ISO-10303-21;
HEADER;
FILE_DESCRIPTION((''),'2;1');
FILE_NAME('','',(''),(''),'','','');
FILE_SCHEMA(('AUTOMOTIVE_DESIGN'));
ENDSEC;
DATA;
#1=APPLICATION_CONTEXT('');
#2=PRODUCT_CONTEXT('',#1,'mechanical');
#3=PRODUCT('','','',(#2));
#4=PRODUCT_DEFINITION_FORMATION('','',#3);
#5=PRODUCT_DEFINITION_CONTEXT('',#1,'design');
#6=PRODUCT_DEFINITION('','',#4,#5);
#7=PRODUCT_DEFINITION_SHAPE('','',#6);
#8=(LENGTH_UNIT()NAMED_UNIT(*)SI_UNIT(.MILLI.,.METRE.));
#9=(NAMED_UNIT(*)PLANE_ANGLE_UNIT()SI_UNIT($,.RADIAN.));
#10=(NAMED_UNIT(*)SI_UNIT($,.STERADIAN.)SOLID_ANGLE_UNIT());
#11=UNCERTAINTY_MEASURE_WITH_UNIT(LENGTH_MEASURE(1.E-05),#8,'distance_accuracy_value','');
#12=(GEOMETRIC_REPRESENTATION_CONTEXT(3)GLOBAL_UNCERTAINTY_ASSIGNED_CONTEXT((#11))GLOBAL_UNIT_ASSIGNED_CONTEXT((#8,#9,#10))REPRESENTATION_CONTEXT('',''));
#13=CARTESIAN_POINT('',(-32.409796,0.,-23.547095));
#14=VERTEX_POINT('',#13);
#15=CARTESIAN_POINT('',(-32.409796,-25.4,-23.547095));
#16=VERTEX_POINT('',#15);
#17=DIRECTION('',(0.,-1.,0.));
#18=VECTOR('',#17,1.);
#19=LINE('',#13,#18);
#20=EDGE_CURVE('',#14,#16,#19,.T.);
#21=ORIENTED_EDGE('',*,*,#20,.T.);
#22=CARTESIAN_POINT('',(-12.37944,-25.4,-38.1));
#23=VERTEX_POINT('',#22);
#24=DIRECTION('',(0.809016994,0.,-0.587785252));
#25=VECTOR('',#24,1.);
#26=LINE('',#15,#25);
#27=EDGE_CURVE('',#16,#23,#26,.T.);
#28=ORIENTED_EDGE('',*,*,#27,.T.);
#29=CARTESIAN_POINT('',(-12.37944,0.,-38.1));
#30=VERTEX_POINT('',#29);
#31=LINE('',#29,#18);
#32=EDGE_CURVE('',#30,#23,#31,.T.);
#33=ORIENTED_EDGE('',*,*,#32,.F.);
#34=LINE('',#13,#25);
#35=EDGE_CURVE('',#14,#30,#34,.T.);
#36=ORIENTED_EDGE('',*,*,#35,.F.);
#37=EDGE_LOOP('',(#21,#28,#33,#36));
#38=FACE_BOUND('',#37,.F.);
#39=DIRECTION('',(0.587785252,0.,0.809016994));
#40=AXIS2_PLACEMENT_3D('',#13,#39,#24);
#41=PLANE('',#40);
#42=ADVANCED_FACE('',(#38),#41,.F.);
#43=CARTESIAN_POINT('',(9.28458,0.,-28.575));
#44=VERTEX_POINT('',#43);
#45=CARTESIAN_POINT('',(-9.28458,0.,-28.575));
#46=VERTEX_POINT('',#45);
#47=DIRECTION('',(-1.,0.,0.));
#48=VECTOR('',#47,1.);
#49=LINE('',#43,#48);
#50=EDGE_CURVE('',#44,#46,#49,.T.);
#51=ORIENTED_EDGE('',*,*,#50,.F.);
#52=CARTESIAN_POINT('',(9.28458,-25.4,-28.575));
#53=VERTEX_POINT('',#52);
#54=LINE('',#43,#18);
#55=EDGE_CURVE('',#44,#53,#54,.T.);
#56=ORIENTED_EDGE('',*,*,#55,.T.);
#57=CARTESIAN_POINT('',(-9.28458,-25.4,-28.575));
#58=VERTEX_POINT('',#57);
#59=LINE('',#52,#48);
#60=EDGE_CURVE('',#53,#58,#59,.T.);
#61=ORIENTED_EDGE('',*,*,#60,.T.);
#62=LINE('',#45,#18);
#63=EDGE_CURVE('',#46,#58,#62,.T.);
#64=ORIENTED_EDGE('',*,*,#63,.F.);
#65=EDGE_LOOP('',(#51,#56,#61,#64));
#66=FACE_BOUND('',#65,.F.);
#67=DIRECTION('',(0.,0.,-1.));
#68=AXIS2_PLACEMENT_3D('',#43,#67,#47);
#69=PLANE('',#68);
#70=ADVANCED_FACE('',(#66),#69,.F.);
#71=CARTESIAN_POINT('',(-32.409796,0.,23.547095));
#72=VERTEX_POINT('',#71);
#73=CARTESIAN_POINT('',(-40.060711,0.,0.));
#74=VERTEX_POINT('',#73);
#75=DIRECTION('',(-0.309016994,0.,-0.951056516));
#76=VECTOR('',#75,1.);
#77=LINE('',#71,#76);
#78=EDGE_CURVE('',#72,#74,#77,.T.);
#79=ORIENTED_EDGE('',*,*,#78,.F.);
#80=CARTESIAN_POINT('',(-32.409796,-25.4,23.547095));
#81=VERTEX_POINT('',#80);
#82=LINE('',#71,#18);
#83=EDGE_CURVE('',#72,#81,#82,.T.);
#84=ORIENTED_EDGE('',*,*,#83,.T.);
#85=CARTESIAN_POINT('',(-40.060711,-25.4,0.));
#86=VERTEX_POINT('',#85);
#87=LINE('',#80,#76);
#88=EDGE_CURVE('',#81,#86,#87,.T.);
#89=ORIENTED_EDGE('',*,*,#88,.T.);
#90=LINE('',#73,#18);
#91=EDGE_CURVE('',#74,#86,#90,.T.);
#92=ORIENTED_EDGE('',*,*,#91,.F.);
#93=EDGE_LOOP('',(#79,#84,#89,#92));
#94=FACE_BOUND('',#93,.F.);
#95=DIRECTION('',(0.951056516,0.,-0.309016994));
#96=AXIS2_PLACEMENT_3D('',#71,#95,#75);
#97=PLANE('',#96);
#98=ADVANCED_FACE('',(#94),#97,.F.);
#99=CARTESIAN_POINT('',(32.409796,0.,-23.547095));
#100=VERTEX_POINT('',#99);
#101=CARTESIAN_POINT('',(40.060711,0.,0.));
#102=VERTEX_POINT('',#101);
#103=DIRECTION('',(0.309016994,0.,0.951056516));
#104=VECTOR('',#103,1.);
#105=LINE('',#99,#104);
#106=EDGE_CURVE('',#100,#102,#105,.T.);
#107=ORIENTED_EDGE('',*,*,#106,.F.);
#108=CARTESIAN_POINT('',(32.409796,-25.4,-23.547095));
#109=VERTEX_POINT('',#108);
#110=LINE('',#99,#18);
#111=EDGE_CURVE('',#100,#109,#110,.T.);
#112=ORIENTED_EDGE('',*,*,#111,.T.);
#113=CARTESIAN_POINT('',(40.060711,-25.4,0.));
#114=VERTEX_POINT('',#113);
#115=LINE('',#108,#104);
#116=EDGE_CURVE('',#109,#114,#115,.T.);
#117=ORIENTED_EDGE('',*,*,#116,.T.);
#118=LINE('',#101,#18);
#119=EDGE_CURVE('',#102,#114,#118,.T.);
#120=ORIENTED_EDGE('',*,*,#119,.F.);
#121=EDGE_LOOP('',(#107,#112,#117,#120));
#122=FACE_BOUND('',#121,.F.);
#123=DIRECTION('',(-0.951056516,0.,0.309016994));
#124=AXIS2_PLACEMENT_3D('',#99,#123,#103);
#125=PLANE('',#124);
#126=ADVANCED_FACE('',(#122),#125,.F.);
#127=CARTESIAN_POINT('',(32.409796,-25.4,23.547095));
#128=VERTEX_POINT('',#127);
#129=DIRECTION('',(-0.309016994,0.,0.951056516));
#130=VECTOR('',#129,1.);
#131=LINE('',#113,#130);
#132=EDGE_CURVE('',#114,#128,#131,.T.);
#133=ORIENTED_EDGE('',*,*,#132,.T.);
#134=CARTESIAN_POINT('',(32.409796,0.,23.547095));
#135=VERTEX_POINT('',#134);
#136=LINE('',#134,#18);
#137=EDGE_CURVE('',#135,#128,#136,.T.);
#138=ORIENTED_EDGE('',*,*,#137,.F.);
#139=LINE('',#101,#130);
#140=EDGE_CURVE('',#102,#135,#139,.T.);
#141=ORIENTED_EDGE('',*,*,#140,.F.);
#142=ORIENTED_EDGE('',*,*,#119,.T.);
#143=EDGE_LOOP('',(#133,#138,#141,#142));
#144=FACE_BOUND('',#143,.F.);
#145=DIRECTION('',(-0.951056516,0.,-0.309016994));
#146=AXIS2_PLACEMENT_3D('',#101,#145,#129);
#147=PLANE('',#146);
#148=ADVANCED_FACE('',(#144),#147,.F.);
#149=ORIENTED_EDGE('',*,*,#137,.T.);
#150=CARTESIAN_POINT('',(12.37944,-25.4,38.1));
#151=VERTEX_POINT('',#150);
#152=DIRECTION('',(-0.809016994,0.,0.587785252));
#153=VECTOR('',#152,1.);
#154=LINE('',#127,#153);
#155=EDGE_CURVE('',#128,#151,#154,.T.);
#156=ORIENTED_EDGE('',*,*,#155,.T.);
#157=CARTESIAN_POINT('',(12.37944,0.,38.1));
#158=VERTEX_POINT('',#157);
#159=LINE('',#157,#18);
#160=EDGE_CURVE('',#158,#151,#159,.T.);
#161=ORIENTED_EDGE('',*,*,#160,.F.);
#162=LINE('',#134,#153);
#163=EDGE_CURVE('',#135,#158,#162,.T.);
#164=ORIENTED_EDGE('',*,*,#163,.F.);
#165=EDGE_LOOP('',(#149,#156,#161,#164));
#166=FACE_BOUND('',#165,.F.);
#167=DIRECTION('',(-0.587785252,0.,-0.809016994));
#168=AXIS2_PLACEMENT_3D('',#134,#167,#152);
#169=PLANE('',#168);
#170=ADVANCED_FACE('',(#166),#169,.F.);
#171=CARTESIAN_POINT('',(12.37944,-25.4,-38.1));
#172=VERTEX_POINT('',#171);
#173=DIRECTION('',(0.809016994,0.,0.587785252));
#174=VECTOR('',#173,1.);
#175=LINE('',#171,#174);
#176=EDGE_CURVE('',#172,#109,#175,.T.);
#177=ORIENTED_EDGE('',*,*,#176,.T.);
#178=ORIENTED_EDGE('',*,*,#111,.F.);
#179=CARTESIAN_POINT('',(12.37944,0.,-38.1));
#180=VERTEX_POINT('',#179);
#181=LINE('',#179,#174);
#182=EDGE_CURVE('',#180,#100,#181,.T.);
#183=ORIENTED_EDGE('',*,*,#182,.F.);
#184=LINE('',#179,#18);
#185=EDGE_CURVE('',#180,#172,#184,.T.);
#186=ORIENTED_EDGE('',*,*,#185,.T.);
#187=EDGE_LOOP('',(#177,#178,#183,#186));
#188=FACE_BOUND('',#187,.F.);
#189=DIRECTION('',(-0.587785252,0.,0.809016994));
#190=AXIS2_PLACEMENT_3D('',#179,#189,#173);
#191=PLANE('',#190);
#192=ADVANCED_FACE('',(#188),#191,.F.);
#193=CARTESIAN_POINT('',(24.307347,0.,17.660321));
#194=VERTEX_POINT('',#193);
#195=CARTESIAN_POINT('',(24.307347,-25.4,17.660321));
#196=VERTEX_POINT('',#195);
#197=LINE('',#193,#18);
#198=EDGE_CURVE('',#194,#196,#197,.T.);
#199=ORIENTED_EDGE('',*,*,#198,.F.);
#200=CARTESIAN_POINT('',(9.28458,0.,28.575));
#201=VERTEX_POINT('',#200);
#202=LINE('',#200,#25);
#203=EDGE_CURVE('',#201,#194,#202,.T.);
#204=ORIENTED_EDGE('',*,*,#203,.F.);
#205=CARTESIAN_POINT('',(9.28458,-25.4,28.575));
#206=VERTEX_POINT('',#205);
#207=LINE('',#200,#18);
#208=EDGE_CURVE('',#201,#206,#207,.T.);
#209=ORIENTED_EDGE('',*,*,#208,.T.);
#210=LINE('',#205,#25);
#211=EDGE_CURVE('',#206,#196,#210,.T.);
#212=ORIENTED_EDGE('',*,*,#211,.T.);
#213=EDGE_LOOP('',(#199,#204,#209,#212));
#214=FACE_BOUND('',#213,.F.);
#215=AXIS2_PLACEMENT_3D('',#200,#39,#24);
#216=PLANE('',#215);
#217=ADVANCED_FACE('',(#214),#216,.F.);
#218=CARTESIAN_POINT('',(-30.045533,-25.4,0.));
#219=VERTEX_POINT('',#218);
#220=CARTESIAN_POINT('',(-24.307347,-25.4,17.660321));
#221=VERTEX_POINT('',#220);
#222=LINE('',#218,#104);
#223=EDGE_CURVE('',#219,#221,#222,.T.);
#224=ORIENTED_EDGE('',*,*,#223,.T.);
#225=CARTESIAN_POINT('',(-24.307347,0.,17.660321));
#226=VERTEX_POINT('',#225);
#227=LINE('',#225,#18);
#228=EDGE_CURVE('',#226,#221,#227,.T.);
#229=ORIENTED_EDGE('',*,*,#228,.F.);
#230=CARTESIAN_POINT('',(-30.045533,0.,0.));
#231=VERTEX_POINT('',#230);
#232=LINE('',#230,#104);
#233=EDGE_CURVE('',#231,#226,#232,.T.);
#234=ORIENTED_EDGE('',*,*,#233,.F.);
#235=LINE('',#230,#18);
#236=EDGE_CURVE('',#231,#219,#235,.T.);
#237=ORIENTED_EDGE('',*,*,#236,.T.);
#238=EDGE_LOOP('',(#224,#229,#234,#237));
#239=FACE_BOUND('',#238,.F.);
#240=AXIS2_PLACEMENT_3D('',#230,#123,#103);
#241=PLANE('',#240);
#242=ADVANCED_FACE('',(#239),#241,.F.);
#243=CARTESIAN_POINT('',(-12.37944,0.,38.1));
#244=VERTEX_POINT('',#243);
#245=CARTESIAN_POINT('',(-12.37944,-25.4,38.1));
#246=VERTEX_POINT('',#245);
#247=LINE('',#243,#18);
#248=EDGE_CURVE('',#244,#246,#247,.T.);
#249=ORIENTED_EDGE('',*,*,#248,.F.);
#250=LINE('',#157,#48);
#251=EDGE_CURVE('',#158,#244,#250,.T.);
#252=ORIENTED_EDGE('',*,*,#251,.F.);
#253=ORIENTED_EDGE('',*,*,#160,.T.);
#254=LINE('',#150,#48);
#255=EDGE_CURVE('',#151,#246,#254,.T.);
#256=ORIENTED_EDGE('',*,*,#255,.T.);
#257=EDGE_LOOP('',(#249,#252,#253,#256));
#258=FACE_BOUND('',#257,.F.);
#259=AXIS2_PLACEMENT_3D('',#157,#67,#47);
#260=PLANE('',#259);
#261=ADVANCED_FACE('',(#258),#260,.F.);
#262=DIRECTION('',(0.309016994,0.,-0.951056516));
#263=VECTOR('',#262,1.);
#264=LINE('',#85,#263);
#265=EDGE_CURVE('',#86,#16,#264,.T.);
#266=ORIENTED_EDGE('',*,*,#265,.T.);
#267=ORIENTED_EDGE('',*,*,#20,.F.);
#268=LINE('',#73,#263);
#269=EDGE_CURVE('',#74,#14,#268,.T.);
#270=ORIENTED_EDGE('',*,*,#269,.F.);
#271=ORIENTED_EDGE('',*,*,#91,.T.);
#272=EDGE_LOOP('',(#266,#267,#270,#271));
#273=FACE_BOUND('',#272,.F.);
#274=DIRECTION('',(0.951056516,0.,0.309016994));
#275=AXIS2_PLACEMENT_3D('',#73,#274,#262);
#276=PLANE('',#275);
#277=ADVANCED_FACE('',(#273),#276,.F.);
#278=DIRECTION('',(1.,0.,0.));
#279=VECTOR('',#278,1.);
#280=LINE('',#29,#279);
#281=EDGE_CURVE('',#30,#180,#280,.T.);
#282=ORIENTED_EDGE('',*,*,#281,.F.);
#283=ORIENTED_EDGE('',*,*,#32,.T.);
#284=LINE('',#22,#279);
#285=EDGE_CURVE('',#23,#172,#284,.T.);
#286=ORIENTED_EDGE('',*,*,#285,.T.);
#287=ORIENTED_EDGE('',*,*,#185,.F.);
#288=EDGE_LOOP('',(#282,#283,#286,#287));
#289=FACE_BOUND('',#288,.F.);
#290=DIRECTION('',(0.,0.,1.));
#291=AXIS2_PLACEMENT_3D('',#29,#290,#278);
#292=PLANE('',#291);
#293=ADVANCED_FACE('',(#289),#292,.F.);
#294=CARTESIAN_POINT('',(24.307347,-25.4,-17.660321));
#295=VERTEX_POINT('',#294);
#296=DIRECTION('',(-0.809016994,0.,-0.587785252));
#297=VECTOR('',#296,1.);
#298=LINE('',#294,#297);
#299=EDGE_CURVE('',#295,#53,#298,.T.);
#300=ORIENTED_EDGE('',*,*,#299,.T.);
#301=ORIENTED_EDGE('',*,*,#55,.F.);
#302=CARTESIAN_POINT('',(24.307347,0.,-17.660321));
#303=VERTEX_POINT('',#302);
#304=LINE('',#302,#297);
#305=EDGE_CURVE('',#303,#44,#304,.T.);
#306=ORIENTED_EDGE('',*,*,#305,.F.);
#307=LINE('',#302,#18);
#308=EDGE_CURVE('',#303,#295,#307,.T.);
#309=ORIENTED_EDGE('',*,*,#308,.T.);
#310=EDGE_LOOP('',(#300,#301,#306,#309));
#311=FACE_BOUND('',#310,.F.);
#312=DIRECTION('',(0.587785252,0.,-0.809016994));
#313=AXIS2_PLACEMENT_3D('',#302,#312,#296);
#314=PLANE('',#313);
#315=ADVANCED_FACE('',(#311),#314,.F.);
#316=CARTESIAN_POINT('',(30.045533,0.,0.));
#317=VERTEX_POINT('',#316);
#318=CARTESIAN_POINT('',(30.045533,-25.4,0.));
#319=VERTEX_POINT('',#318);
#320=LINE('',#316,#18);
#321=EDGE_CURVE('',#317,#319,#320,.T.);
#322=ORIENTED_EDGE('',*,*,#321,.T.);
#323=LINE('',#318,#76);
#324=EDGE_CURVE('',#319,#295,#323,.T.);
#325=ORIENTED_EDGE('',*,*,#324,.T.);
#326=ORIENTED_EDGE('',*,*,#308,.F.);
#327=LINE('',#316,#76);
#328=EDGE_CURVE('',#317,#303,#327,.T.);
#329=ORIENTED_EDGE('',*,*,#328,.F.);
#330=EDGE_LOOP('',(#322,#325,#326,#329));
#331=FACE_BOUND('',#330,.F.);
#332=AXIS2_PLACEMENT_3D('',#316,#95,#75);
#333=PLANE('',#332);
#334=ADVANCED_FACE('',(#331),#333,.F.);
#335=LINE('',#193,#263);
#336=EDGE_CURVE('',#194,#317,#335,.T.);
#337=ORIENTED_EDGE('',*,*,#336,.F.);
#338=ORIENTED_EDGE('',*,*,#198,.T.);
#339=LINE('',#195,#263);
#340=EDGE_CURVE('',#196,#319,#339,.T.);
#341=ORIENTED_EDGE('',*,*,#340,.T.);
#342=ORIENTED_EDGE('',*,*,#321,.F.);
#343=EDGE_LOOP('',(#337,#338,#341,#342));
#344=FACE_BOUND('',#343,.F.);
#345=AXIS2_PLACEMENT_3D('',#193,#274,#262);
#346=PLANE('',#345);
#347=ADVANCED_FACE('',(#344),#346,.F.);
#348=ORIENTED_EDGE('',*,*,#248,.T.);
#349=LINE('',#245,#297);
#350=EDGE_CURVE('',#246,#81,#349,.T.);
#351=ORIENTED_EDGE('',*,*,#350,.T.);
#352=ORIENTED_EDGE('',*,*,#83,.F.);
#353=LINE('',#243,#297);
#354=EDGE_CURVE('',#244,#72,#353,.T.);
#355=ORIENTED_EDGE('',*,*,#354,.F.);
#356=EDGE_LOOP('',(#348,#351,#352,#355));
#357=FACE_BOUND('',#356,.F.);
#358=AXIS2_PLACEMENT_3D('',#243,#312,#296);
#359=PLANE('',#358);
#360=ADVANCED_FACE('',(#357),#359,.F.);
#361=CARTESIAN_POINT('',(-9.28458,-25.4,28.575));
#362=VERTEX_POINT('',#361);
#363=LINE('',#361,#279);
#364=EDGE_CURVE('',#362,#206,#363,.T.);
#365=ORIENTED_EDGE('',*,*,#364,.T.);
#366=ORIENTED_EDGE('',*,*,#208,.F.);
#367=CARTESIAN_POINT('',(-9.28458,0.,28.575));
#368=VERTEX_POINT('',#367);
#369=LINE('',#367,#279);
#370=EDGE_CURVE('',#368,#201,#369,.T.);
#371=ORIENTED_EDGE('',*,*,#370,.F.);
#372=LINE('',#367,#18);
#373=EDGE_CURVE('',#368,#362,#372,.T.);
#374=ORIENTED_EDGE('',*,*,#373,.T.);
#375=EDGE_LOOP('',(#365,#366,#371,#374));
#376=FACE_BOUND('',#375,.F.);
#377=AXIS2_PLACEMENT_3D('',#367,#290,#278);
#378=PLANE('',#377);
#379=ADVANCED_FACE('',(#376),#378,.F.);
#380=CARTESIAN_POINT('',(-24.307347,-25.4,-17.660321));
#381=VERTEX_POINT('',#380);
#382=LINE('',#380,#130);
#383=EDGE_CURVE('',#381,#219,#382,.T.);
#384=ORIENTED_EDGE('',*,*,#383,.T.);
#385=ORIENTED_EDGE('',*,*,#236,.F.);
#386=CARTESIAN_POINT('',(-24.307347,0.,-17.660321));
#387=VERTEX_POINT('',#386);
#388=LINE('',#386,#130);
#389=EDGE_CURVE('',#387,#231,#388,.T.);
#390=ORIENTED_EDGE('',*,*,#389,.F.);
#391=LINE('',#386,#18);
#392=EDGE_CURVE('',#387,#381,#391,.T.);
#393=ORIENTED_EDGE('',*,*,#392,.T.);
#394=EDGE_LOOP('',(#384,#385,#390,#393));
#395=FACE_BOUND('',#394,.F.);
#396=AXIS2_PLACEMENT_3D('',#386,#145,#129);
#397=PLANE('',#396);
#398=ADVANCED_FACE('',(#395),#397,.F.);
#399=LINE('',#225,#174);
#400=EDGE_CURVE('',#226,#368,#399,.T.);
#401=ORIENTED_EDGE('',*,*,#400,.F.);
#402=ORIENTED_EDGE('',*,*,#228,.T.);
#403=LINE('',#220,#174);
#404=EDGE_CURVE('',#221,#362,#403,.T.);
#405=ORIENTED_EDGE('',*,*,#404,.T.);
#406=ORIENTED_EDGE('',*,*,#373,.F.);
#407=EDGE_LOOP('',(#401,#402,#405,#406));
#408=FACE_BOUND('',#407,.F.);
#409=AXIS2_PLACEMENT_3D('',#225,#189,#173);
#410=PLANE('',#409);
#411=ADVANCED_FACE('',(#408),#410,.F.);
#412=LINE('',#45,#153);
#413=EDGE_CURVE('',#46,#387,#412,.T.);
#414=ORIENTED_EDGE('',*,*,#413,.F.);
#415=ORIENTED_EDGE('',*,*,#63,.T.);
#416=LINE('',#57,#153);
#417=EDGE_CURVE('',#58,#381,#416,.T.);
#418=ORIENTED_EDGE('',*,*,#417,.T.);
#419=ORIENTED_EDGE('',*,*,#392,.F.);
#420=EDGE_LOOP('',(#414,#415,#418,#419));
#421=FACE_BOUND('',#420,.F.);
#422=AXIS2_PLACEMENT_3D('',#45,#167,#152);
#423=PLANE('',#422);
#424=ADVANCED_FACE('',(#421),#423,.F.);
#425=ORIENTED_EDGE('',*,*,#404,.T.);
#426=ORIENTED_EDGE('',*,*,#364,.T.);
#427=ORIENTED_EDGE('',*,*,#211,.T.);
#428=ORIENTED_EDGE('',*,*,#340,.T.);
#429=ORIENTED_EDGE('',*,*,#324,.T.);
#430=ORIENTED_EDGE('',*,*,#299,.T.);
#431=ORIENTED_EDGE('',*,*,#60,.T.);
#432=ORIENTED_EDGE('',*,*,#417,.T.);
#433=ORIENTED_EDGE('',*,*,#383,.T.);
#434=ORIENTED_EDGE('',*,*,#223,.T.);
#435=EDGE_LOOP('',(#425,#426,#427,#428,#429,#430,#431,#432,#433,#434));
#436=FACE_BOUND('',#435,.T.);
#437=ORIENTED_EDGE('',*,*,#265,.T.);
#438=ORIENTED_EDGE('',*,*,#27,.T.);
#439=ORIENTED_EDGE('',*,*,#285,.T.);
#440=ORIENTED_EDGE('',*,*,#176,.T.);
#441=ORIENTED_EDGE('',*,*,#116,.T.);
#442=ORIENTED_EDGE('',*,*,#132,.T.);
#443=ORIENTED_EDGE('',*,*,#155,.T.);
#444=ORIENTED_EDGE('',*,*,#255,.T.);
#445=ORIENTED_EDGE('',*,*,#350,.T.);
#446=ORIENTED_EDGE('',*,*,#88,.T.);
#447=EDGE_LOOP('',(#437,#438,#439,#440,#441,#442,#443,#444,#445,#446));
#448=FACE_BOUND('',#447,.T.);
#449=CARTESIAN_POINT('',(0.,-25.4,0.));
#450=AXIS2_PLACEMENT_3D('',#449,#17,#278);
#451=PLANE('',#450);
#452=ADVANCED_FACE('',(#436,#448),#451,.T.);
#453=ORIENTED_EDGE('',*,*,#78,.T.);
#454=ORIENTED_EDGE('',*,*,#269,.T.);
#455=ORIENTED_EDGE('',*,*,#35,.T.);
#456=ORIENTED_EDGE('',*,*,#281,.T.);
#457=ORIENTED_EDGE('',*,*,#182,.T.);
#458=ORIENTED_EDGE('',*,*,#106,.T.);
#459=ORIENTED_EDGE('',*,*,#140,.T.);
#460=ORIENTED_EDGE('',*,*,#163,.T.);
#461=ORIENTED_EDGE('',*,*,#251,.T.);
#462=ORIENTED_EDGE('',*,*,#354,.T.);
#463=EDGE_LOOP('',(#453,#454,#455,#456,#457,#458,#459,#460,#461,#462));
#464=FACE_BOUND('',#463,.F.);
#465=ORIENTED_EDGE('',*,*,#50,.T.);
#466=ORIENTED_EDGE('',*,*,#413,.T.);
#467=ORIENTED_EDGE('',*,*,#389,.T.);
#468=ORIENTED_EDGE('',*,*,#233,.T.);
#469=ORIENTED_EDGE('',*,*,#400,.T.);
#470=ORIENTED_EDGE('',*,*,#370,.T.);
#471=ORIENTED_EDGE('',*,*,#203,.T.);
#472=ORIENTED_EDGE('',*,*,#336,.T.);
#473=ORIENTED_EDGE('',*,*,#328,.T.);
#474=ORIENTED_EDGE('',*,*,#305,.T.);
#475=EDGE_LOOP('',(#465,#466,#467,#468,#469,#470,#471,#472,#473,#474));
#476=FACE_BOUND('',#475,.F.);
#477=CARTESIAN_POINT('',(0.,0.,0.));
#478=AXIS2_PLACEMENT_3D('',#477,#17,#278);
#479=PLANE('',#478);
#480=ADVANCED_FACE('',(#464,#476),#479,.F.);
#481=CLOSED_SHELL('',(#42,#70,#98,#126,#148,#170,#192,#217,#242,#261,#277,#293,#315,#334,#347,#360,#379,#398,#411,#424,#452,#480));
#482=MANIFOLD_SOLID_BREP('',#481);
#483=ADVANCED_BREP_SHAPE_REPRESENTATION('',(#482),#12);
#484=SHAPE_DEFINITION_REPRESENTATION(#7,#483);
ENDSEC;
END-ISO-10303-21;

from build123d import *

# Parameters (mm, degrees)
F1_DEPTH = 25.4


with BuildPart() as f1:
    # F0 (on Front) → F1 (new body)
    with BuildSketch(Plane.XZ):
        Polygon((12.3794404265, 38.1), (0, 38.1), (-12.3794404265, 38.1), (-32.4097957982, 23.5470949714), (-40.0607107435, 0), (-32.4097957982, -23.5470949714), (-12.3794404265, -38.1), (12.3794404265, -38.1), (32.4097957982, -23.5470949714), (40.0607107435, 0), (32.4097957982, 23.5470949714), align=None)
        Polygon((-9.2845803199, 28.575), (0, 28.575), (9.2845803199, 28.575), (24.3073468487, 17.6603212285), (30.0455330576, 0), (24.3073468487, -17.6603212285), (9.2845803199, -28.575), (-9.2845803199, -28.575), (-24.3073468487, -17.6603212285), (-30.0455330576, 0), (-24.3073468487, 17.6603212285), align=None, mode=Mode.SUBTRACT)
    extrude(amount=F1_DEPTH)


solid = f1.part
